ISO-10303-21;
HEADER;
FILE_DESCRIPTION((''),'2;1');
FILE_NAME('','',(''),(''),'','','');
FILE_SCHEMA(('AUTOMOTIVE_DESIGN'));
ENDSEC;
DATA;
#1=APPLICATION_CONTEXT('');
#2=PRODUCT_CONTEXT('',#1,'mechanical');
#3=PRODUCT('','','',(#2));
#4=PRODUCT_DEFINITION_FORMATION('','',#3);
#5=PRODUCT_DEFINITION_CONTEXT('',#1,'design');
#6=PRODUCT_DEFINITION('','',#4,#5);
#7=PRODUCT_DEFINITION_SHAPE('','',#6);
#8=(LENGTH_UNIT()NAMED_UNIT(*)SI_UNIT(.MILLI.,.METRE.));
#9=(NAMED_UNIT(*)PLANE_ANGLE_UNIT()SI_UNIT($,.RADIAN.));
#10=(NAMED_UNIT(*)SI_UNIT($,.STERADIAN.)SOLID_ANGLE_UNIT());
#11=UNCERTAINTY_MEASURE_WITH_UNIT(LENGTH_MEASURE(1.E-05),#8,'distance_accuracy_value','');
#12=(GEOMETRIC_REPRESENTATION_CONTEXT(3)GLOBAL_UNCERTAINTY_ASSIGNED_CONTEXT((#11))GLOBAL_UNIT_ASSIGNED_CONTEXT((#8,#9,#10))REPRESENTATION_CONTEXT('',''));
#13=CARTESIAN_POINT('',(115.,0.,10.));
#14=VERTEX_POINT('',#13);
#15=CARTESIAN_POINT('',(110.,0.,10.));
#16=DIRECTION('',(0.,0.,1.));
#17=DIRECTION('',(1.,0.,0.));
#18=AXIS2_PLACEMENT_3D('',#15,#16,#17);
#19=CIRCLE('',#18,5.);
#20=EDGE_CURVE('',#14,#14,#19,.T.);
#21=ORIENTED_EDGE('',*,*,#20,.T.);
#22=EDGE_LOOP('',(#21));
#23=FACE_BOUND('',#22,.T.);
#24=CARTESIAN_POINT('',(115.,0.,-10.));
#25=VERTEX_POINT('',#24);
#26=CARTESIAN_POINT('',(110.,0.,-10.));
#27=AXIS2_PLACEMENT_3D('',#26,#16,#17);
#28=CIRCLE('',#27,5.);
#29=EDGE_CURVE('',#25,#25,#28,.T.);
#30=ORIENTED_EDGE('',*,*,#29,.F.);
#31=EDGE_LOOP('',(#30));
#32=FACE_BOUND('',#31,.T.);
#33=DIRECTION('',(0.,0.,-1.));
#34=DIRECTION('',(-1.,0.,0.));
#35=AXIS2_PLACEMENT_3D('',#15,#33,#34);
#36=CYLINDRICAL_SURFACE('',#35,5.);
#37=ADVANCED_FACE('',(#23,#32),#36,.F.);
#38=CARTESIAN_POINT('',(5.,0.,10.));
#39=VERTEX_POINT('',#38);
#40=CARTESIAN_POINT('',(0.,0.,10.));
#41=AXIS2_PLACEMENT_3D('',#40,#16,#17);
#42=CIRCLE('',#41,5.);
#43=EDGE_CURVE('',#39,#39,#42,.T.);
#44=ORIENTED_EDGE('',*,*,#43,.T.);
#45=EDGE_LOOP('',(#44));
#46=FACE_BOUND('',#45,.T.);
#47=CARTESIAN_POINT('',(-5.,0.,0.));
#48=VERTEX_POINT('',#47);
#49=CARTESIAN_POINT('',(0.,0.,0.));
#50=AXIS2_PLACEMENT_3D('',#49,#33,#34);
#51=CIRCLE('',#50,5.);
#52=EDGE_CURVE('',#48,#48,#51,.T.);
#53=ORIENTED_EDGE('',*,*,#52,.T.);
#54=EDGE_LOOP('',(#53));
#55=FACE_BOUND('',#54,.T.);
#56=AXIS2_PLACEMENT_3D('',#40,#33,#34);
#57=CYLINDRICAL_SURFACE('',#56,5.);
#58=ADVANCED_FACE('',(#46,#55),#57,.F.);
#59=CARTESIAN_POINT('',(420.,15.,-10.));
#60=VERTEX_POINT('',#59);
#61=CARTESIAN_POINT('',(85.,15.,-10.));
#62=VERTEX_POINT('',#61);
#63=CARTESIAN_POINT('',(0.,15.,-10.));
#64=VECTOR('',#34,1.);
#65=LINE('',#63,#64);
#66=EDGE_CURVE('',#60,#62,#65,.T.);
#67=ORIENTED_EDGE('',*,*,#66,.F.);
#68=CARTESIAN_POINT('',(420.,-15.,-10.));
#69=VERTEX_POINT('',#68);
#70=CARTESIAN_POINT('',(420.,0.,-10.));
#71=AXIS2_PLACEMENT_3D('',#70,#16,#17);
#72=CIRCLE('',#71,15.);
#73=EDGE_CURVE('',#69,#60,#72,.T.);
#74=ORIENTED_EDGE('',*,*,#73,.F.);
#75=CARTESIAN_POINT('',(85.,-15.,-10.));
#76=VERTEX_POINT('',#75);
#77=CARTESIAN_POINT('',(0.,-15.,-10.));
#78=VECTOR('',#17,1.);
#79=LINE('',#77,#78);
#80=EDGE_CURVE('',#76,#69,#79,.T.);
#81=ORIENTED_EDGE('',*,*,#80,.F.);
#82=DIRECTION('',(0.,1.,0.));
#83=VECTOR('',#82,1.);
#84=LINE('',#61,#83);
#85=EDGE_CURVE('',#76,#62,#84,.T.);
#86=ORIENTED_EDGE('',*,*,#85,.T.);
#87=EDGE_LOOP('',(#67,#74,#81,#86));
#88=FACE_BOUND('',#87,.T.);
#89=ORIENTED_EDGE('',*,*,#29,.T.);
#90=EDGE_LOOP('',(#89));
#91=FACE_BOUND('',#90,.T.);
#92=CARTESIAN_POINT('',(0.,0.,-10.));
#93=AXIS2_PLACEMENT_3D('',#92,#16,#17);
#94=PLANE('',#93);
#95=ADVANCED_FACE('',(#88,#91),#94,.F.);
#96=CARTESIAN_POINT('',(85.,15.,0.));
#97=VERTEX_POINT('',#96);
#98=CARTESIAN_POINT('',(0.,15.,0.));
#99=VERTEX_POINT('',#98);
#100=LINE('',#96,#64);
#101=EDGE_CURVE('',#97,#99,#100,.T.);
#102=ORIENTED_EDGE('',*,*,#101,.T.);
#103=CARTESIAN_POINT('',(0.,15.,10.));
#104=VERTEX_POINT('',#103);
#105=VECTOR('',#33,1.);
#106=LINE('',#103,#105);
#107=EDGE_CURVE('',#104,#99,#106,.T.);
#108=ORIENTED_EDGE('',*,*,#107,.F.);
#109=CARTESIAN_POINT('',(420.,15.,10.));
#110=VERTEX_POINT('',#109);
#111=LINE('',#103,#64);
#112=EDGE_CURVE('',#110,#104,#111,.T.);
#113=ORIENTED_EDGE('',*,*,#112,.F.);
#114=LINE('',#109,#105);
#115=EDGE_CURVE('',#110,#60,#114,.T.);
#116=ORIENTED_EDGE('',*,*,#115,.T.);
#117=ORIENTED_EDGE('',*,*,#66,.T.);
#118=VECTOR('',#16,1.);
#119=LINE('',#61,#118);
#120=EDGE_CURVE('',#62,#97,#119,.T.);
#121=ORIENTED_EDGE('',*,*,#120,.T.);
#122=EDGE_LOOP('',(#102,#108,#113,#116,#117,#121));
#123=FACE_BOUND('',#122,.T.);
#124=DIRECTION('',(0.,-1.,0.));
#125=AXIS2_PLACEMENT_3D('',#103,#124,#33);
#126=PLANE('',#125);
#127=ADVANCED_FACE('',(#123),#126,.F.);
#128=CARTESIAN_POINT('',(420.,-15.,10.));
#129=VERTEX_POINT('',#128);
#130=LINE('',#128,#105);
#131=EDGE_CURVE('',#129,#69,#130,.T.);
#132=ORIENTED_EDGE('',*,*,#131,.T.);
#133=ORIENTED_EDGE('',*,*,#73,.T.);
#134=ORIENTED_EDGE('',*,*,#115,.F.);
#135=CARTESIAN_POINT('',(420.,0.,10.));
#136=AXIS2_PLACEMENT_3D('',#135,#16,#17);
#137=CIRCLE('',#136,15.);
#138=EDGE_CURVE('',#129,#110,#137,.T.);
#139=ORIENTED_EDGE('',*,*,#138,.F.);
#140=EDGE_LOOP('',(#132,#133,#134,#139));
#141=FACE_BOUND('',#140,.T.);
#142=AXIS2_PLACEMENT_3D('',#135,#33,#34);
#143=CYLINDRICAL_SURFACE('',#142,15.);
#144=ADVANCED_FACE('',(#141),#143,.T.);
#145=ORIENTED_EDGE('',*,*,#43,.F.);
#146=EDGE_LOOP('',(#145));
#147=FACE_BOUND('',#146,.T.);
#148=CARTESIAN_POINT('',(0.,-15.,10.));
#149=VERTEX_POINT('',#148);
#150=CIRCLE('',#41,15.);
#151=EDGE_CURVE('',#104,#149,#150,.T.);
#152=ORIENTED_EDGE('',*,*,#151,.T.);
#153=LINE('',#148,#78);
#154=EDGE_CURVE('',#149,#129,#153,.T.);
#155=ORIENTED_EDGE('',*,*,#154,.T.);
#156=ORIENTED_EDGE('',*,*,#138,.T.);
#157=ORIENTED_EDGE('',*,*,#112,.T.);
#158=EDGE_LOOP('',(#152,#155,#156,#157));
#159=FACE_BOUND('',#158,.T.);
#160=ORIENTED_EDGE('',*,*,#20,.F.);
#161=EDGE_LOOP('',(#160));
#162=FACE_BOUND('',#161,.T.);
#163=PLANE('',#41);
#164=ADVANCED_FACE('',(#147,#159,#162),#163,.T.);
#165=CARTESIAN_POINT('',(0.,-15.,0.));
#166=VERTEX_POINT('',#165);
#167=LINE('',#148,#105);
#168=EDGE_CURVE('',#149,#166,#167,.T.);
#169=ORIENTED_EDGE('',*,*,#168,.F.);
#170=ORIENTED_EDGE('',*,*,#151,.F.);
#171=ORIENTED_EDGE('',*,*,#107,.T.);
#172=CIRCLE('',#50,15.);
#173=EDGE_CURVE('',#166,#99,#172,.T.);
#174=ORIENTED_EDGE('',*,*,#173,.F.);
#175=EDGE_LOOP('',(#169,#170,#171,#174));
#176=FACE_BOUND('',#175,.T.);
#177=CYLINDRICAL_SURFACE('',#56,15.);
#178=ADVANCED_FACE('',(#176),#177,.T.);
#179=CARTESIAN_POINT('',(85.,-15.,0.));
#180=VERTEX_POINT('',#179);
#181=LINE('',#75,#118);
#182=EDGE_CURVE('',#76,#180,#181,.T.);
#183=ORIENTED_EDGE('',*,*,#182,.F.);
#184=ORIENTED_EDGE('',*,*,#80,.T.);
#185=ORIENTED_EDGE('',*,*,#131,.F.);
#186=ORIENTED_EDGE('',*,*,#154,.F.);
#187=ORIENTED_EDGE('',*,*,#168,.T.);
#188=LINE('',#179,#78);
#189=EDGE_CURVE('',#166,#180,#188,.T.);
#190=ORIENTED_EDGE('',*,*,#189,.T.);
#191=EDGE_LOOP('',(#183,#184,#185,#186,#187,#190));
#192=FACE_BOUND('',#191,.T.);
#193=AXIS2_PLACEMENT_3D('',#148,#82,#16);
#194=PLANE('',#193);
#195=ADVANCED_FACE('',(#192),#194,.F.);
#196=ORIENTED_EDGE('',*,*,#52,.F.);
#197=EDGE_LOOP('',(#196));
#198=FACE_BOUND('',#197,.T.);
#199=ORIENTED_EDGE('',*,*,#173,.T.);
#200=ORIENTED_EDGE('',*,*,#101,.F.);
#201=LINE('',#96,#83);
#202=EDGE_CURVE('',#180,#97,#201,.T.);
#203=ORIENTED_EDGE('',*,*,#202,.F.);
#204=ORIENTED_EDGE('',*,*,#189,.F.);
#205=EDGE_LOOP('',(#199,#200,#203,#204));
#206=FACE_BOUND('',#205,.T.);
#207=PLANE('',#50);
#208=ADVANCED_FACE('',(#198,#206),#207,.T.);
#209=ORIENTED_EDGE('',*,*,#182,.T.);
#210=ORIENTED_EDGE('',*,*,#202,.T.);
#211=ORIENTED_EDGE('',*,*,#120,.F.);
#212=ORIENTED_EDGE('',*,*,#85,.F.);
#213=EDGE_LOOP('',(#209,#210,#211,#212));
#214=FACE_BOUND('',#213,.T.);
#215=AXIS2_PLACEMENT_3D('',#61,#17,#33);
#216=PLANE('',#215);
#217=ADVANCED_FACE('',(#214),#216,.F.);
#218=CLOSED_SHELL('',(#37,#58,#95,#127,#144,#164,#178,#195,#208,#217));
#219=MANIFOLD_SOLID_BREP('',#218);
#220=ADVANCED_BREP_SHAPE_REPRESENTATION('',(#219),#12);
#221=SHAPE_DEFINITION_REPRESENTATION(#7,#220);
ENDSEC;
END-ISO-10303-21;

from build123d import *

# Parameters (mm, degrees)
SKETCH1_R           = 5
BOSS_EXTRUDE1_DEPTH = 10
SKETCH2_W           = 100
SKETCH2_H           = 30
CUT_EXTRUDE1_DEPTH  = 436.373402954


with BuildPart() as part:
    # Sketch1 → Boss-Extrude1 (new, symmetric)
    with BuildSketch(Plane.XY):
        with BuildLine():
            Line((0, 15), (420, 15))
            ThreePointArc((420, 15), (435, 0), (420, -15))
            Line((420, -15), (0, -15))
            ThreePointArc((0, -15), (-15, 0), (0, 15))
        make_face()
        Circle(SKETCH1_R, mode=Mode.SUBTRACT)
        with Locations((110, 0)):
            Circle(SKETCH1_R, mode=Mode.SUBTRACT)
    extrude(amount=BOSS_EXTRUDE1_DEPTH, both=True)

    # Sketch2 → Cut-Extrude1 (cut, through all)
    with BuildSketch(Plane.XY):
        with Locations((35, 0)):
            Rectangle(SKETCH2_W, SKETCH2_H)
    extrude(amount=-CUT_EXTRUDE1_DEPTH, mode=Mode.SUBTRACT)


solid = part.part
